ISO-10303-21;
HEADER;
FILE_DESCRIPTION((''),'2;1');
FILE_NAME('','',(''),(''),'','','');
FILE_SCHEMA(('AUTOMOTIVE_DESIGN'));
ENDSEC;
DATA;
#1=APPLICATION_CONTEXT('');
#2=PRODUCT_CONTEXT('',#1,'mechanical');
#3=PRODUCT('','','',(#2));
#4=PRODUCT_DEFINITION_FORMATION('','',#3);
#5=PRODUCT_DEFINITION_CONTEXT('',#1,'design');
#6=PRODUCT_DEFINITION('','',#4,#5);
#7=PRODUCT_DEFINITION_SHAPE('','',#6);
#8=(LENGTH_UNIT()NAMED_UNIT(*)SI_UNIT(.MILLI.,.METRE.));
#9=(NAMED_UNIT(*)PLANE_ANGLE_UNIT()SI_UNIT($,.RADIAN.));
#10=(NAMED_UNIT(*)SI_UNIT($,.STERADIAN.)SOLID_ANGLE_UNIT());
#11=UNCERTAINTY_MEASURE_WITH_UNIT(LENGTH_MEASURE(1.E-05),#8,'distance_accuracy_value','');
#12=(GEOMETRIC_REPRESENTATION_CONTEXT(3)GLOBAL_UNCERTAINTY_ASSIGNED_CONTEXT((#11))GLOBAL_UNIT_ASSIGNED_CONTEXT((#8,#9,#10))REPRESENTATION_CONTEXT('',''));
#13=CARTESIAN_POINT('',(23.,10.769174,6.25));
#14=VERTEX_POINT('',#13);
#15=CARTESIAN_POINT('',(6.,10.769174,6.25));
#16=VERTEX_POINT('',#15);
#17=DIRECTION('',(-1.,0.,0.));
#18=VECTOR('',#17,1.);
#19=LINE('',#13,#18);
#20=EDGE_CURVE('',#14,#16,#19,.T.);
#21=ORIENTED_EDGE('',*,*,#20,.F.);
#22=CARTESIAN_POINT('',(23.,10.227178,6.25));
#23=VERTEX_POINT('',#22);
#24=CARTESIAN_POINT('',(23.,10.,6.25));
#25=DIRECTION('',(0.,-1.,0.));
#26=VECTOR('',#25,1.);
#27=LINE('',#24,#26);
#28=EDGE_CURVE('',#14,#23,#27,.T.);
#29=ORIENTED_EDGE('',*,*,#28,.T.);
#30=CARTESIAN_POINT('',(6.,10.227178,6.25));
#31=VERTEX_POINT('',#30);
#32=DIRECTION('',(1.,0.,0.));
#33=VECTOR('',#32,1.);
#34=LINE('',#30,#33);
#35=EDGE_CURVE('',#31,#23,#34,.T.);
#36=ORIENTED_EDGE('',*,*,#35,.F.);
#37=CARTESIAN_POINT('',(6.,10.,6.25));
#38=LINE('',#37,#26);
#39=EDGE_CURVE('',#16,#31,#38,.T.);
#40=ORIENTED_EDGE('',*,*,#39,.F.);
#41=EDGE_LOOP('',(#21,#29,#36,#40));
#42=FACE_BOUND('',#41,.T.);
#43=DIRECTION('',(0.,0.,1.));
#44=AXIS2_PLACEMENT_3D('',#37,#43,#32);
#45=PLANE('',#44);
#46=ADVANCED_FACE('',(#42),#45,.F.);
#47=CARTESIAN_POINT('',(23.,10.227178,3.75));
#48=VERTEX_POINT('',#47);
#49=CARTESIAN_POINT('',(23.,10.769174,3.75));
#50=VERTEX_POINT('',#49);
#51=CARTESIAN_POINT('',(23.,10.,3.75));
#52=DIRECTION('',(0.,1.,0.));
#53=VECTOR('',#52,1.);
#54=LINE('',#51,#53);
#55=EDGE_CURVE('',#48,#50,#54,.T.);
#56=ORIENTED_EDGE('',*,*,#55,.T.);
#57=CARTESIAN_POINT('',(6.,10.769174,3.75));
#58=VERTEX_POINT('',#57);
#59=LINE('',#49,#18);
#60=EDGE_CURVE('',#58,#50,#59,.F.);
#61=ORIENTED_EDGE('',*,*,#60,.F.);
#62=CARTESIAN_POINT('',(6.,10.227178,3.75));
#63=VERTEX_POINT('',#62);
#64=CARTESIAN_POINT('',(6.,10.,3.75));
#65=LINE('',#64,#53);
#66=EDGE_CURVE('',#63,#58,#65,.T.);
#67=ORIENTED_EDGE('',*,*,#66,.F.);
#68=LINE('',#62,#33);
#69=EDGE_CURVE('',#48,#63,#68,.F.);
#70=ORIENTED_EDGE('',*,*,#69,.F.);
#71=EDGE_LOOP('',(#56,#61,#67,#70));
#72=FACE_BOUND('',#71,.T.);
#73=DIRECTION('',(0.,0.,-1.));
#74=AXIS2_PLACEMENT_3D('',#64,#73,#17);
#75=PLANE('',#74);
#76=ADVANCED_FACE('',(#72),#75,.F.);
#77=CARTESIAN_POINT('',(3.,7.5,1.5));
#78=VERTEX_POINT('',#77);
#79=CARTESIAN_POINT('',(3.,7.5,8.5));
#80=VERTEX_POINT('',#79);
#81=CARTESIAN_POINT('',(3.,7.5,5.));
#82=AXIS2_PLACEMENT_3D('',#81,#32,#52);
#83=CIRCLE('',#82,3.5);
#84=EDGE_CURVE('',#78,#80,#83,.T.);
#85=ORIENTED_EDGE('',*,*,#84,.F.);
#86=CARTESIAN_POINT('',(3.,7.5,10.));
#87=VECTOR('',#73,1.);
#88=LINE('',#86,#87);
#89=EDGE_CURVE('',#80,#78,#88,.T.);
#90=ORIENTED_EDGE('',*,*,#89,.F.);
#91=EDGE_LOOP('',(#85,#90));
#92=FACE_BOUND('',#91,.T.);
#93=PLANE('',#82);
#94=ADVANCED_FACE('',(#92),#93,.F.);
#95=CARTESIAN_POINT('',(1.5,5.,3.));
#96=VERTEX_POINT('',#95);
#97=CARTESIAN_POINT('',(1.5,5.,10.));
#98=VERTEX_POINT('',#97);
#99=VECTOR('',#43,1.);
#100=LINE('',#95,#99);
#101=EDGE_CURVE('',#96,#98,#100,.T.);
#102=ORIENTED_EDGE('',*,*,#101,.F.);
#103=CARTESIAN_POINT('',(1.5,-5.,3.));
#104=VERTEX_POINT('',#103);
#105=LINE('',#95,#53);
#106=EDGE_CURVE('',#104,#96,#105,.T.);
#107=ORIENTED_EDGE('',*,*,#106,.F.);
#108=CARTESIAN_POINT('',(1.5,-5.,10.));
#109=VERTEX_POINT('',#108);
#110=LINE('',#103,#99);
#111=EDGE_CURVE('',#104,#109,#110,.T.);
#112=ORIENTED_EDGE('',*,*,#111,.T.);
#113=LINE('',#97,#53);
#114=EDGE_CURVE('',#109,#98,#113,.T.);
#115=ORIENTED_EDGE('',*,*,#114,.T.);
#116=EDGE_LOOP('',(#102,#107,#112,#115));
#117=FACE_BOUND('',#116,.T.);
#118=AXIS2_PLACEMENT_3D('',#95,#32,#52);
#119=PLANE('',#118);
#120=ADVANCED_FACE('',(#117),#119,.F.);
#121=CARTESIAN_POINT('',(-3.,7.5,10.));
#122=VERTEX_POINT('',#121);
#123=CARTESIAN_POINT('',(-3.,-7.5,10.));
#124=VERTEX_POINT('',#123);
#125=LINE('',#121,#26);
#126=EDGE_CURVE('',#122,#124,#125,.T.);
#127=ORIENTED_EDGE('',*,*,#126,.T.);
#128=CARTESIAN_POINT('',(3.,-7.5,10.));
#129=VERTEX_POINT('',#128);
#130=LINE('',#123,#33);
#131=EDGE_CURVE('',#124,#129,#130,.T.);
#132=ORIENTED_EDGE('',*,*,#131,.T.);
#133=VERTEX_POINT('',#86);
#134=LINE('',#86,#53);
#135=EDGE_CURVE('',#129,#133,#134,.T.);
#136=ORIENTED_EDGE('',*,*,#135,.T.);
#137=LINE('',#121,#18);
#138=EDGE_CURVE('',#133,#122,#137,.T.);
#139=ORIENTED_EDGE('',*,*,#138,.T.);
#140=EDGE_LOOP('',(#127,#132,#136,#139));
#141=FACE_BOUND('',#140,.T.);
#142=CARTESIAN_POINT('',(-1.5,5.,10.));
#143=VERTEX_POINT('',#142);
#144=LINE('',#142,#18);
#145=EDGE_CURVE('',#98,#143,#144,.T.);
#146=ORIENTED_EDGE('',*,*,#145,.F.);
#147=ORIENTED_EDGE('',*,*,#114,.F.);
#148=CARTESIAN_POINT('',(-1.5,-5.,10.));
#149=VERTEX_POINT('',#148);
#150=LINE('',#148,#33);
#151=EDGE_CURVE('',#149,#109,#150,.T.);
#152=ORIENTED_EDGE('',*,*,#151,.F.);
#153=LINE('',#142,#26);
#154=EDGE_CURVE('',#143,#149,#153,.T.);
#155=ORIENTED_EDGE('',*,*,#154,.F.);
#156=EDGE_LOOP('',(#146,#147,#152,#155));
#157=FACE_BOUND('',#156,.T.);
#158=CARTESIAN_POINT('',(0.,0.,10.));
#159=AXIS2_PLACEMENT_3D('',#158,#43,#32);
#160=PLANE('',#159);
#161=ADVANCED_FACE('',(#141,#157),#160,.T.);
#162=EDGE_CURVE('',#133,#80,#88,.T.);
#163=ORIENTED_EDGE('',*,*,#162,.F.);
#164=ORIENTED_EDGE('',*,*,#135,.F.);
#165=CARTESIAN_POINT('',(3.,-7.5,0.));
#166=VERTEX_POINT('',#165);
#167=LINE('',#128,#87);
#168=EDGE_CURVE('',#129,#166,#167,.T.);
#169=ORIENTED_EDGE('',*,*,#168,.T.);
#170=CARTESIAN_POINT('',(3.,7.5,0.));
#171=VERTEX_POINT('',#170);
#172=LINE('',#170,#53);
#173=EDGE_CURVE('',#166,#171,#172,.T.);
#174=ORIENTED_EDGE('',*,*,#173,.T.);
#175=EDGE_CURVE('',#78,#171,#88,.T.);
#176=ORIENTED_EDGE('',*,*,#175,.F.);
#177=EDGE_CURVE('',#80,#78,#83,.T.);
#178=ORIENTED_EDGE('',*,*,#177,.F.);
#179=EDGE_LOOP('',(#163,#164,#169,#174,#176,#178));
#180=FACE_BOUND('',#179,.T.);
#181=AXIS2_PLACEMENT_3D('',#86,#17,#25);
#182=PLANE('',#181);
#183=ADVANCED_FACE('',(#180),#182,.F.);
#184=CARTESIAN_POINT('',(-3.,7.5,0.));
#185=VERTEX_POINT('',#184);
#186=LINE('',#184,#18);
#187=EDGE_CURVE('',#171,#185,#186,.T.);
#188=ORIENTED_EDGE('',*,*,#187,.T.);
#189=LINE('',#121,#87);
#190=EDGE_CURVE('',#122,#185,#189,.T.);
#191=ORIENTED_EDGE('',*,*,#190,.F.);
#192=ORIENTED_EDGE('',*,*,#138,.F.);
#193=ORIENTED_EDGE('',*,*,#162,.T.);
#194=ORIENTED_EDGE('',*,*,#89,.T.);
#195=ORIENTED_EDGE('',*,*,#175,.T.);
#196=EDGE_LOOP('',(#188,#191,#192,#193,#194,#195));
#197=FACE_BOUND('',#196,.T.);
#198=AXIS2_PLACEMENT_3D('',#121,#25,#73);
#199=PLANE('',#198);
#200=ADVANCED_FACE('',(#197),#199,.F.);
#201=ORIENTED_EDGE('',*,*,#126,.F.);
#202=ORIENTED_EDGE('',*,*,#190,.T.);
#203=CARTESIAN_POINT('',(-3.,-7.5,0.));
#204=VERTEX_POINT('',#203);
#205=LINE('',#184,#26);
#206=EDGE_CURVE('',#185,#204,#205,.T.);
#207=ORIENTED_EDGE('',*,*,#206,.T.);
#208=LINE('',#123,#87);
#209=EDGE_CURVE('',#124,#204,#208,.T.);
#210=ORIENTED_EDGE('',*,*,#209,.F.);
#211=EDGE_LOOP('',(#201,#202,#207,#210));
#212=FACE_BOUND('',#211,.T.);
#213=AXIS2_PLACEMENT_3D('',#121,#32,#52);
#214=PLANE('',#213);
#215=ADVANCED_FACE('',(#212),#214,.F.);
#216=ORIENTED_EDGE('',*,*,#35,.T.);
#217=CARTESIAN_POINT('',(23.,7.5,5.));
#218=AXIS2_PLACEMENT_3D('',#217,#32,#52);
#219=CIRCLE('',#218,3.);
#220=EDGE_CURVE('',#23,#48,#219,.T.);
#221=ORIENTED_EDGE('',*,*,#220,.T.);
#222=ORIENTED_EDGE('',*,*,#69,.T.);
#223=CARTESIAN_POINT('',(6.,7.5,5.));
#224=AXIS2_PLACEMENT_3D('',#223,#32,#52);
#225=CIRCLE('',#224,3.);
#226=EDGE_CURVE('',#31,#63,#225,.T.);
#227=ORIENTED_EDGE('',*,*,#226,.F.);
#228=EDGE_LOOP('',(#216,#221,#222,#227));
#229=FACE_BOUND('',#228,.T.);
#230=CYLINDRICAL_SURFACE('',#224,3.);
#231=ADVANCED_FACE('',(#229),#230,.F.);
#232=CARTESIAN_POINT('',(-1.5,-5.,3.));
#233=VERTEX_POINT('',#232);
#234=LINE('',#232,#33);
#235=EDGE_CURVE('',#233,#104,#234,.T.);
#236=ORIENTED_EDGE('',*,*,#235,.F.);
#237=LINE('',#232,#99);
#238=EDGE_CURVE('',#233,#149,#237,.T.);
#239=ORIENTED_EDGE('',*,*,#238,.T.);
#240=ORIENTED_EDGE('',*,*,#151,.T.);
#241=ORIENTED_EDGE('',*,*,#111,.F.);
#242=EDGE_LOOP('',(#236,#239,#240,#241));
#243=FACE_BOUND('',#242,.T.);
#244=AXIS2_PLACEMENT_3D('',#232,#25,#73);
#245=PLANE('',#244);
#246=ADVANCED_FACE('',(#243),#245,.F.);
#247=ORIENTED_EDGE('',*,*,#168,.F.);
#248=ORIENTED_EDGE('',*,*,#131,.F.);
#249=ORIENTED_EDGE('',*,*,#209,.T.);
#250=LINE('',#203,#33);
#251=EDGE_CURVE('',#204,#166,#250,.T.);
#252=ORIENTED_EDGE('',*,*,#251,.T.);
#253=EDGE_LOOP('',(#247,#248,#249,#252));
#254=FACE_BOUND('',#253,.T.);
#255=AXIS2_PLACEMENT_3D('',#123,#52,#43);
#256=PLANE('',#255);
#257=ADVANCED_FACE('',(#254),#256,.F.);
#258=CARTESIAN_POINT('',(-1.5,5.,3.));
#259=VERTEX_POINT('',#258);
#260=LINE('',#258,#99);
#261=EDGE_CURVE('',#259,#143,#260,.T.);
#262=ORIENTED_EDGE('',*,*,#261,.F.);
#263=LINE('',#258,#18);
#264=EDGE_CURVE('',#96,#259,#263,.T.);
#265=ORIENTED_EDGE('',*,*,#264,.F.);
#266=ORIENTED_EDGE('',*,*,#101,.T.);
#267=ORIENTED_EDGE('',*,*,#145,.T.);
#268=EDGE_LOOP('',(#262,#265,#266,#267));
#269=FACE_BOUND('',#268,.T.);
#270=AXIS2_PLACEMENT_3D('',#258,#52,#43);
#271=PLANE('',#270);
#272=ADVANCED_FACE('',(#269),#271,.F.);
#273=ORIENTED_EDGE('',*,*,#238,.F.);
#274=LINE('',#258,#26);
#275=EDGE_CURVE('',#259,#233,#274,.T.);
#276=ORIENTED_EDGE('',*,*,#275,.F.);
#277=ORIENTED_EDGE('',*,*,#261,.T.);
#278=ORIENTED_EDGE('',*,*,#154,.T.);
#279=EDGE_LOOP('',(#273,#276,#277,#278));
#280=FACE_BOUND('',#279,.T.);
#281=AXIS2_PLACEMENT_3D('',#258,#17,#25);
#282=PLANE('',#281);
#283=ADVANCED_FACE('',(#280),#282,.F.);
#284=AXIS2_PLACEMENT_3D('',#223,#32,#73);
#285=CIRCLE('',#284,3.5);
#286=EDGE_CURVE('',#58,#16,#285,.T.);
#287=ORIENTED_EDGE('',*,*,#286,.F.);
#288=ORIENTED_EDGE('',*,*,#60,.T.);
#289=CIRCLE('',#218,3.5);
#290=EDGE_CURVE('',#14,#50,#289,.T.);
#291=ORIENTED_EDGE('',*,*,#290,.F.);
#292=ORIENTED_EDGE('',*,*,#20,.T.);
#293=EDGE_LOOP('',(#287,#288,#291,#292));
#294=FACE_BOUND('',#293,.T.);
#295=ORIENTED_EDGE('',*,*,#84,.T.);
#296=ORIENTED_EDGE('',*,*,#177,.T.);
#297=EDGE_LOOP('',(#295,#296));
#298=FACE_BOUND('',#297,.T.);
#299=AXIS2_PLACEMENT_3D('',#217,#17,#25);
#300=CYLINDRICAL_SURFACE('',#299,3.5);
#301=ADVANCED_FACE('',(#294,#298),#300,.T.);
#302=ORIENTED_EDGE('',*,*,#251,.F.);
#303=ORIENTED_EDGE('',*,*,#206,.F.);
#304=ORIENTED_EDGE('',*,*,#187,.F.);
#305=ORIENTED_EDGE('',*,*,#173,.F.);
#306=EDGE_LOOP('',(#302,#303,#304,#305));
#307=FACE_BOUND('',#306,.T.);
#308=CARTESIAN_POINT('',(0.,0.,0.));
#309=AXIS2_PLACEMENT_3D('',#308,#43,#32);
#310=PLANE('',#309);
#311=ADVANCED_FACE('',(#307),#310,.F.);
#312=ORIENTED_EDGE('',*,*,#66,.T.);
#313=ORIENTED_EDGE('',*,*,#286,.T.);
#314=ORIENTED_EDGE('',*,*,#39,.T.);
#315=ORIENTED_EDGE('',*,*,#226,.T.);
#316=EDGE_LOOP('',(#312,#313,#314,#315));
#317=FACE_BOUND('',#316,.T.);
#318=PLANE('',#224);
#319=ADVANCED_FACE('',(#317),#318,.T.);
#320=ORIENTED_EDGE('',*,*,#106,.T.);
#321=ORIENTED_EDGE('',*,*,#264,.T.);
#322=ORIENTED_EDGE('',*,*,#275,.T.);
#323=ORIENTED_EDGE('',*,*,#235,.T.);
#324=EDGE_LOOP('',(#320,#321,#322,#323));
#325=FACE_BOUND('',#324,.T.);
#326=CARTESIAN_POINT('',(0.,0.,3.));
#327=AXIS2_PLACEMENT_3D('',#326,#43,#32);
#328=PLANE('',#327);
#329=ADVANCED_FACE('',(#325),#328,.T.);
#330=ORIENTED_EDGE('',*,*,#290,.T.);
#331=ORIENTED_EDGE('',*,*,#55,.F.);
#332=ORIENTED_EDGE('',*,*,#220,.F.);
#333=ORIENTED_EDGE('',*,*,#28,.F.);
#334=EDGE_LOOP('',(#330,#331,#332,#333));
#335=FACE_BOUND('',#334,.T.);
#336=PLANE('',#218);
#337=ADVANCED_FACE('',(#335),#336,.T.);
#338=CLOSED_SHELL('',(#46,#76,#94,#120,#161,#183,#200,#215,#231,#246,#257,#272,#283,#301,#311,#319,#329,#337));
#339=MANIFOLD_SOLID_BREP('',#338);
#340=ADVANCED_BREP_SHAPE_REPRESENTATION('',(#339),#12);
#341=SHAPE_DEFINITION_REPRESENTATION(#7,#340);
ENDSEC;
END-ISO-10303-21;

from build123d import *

# Parameters (mm, degrees)
SKETCH1_W           = 6
SKETCH1_H           = 15
BOSS_EXTRUDE1_DEPTH = 10
SKETCH2_W           = 3
SKETCH2_H           = 10
CUT_EXTRUDE1_DEPTH  = 7
SKETCH3_R           = 3.5
BOSS_EXTRUDE2_DEPTH = 20
SKETCH5_R           = 3
CUT_EXTRUDE2_DEPTH  = 17
SKETCH6_W           = 2.5
SKETCH6_H           = 1
CUT_EXTRUDE3_DEPTH  = 17


with BuildPart() as part:
    # Sketch1 → Boss-Extrude1 (new body)
    with BuildSketch(Plane.XY):
        Rectangle(SKETCH1_W, SKETCH1_H)
    extrude(amount=BOSS_EXTRUDE1_DEPTH)

    # Sketch2 → Cut-Extrude1 (cut)
    with BuildSketch(Plane.XY.offset(10)):
        Rectangle(SKETCH2_W, SKETCH2_H)
    extrude(amount=-CUT_EXTRUDE1_DEPTH, mode=Mode.SUBTRACT)

    # Sketch3 → Boss-Extrude2 (add)
    with BuildSketch(Plane(origin=(3, 0, 0), x_dir=(0, 0, -1), z_dir=(1, 0, 0))):
        with Locations((-5, 7.5)):
            Circle(SKETCH3_R)
    extrude(amount=BOSS_EXTRUDE2_DEPTH)

    # Sketch5 → Cut-Extrude2 (cut)
    with BuildSketch(Plane(origin=(23, 0, 0), x_dir=(0, 0, -1), z_dir=(1, 0, 0))):
        with Locations(Location((-5, 7.5, 0), (0, 0, 90))):
            Circle(SKETCH5_R)
    extrude(amount=-CUT_EXTRUDE2_DEPTH, mode=Mode.SUBTRACT)

    # Sketch6 → Cut-Extrude3 (cut)
    with BuildSketch(Plane(origin=(23, 0, 0), x_dir=(0, 0, -1), z_dir=(1, 0, 0))):
        with Locations((-5, 10.5)):
            Rectangle(SKETCH6_W, SKETCH6_H)
    extrude(amount=-CUT_EXTRUDE3_DEPTH, mode=Mode.SUBTRACT)


solid = part.part
